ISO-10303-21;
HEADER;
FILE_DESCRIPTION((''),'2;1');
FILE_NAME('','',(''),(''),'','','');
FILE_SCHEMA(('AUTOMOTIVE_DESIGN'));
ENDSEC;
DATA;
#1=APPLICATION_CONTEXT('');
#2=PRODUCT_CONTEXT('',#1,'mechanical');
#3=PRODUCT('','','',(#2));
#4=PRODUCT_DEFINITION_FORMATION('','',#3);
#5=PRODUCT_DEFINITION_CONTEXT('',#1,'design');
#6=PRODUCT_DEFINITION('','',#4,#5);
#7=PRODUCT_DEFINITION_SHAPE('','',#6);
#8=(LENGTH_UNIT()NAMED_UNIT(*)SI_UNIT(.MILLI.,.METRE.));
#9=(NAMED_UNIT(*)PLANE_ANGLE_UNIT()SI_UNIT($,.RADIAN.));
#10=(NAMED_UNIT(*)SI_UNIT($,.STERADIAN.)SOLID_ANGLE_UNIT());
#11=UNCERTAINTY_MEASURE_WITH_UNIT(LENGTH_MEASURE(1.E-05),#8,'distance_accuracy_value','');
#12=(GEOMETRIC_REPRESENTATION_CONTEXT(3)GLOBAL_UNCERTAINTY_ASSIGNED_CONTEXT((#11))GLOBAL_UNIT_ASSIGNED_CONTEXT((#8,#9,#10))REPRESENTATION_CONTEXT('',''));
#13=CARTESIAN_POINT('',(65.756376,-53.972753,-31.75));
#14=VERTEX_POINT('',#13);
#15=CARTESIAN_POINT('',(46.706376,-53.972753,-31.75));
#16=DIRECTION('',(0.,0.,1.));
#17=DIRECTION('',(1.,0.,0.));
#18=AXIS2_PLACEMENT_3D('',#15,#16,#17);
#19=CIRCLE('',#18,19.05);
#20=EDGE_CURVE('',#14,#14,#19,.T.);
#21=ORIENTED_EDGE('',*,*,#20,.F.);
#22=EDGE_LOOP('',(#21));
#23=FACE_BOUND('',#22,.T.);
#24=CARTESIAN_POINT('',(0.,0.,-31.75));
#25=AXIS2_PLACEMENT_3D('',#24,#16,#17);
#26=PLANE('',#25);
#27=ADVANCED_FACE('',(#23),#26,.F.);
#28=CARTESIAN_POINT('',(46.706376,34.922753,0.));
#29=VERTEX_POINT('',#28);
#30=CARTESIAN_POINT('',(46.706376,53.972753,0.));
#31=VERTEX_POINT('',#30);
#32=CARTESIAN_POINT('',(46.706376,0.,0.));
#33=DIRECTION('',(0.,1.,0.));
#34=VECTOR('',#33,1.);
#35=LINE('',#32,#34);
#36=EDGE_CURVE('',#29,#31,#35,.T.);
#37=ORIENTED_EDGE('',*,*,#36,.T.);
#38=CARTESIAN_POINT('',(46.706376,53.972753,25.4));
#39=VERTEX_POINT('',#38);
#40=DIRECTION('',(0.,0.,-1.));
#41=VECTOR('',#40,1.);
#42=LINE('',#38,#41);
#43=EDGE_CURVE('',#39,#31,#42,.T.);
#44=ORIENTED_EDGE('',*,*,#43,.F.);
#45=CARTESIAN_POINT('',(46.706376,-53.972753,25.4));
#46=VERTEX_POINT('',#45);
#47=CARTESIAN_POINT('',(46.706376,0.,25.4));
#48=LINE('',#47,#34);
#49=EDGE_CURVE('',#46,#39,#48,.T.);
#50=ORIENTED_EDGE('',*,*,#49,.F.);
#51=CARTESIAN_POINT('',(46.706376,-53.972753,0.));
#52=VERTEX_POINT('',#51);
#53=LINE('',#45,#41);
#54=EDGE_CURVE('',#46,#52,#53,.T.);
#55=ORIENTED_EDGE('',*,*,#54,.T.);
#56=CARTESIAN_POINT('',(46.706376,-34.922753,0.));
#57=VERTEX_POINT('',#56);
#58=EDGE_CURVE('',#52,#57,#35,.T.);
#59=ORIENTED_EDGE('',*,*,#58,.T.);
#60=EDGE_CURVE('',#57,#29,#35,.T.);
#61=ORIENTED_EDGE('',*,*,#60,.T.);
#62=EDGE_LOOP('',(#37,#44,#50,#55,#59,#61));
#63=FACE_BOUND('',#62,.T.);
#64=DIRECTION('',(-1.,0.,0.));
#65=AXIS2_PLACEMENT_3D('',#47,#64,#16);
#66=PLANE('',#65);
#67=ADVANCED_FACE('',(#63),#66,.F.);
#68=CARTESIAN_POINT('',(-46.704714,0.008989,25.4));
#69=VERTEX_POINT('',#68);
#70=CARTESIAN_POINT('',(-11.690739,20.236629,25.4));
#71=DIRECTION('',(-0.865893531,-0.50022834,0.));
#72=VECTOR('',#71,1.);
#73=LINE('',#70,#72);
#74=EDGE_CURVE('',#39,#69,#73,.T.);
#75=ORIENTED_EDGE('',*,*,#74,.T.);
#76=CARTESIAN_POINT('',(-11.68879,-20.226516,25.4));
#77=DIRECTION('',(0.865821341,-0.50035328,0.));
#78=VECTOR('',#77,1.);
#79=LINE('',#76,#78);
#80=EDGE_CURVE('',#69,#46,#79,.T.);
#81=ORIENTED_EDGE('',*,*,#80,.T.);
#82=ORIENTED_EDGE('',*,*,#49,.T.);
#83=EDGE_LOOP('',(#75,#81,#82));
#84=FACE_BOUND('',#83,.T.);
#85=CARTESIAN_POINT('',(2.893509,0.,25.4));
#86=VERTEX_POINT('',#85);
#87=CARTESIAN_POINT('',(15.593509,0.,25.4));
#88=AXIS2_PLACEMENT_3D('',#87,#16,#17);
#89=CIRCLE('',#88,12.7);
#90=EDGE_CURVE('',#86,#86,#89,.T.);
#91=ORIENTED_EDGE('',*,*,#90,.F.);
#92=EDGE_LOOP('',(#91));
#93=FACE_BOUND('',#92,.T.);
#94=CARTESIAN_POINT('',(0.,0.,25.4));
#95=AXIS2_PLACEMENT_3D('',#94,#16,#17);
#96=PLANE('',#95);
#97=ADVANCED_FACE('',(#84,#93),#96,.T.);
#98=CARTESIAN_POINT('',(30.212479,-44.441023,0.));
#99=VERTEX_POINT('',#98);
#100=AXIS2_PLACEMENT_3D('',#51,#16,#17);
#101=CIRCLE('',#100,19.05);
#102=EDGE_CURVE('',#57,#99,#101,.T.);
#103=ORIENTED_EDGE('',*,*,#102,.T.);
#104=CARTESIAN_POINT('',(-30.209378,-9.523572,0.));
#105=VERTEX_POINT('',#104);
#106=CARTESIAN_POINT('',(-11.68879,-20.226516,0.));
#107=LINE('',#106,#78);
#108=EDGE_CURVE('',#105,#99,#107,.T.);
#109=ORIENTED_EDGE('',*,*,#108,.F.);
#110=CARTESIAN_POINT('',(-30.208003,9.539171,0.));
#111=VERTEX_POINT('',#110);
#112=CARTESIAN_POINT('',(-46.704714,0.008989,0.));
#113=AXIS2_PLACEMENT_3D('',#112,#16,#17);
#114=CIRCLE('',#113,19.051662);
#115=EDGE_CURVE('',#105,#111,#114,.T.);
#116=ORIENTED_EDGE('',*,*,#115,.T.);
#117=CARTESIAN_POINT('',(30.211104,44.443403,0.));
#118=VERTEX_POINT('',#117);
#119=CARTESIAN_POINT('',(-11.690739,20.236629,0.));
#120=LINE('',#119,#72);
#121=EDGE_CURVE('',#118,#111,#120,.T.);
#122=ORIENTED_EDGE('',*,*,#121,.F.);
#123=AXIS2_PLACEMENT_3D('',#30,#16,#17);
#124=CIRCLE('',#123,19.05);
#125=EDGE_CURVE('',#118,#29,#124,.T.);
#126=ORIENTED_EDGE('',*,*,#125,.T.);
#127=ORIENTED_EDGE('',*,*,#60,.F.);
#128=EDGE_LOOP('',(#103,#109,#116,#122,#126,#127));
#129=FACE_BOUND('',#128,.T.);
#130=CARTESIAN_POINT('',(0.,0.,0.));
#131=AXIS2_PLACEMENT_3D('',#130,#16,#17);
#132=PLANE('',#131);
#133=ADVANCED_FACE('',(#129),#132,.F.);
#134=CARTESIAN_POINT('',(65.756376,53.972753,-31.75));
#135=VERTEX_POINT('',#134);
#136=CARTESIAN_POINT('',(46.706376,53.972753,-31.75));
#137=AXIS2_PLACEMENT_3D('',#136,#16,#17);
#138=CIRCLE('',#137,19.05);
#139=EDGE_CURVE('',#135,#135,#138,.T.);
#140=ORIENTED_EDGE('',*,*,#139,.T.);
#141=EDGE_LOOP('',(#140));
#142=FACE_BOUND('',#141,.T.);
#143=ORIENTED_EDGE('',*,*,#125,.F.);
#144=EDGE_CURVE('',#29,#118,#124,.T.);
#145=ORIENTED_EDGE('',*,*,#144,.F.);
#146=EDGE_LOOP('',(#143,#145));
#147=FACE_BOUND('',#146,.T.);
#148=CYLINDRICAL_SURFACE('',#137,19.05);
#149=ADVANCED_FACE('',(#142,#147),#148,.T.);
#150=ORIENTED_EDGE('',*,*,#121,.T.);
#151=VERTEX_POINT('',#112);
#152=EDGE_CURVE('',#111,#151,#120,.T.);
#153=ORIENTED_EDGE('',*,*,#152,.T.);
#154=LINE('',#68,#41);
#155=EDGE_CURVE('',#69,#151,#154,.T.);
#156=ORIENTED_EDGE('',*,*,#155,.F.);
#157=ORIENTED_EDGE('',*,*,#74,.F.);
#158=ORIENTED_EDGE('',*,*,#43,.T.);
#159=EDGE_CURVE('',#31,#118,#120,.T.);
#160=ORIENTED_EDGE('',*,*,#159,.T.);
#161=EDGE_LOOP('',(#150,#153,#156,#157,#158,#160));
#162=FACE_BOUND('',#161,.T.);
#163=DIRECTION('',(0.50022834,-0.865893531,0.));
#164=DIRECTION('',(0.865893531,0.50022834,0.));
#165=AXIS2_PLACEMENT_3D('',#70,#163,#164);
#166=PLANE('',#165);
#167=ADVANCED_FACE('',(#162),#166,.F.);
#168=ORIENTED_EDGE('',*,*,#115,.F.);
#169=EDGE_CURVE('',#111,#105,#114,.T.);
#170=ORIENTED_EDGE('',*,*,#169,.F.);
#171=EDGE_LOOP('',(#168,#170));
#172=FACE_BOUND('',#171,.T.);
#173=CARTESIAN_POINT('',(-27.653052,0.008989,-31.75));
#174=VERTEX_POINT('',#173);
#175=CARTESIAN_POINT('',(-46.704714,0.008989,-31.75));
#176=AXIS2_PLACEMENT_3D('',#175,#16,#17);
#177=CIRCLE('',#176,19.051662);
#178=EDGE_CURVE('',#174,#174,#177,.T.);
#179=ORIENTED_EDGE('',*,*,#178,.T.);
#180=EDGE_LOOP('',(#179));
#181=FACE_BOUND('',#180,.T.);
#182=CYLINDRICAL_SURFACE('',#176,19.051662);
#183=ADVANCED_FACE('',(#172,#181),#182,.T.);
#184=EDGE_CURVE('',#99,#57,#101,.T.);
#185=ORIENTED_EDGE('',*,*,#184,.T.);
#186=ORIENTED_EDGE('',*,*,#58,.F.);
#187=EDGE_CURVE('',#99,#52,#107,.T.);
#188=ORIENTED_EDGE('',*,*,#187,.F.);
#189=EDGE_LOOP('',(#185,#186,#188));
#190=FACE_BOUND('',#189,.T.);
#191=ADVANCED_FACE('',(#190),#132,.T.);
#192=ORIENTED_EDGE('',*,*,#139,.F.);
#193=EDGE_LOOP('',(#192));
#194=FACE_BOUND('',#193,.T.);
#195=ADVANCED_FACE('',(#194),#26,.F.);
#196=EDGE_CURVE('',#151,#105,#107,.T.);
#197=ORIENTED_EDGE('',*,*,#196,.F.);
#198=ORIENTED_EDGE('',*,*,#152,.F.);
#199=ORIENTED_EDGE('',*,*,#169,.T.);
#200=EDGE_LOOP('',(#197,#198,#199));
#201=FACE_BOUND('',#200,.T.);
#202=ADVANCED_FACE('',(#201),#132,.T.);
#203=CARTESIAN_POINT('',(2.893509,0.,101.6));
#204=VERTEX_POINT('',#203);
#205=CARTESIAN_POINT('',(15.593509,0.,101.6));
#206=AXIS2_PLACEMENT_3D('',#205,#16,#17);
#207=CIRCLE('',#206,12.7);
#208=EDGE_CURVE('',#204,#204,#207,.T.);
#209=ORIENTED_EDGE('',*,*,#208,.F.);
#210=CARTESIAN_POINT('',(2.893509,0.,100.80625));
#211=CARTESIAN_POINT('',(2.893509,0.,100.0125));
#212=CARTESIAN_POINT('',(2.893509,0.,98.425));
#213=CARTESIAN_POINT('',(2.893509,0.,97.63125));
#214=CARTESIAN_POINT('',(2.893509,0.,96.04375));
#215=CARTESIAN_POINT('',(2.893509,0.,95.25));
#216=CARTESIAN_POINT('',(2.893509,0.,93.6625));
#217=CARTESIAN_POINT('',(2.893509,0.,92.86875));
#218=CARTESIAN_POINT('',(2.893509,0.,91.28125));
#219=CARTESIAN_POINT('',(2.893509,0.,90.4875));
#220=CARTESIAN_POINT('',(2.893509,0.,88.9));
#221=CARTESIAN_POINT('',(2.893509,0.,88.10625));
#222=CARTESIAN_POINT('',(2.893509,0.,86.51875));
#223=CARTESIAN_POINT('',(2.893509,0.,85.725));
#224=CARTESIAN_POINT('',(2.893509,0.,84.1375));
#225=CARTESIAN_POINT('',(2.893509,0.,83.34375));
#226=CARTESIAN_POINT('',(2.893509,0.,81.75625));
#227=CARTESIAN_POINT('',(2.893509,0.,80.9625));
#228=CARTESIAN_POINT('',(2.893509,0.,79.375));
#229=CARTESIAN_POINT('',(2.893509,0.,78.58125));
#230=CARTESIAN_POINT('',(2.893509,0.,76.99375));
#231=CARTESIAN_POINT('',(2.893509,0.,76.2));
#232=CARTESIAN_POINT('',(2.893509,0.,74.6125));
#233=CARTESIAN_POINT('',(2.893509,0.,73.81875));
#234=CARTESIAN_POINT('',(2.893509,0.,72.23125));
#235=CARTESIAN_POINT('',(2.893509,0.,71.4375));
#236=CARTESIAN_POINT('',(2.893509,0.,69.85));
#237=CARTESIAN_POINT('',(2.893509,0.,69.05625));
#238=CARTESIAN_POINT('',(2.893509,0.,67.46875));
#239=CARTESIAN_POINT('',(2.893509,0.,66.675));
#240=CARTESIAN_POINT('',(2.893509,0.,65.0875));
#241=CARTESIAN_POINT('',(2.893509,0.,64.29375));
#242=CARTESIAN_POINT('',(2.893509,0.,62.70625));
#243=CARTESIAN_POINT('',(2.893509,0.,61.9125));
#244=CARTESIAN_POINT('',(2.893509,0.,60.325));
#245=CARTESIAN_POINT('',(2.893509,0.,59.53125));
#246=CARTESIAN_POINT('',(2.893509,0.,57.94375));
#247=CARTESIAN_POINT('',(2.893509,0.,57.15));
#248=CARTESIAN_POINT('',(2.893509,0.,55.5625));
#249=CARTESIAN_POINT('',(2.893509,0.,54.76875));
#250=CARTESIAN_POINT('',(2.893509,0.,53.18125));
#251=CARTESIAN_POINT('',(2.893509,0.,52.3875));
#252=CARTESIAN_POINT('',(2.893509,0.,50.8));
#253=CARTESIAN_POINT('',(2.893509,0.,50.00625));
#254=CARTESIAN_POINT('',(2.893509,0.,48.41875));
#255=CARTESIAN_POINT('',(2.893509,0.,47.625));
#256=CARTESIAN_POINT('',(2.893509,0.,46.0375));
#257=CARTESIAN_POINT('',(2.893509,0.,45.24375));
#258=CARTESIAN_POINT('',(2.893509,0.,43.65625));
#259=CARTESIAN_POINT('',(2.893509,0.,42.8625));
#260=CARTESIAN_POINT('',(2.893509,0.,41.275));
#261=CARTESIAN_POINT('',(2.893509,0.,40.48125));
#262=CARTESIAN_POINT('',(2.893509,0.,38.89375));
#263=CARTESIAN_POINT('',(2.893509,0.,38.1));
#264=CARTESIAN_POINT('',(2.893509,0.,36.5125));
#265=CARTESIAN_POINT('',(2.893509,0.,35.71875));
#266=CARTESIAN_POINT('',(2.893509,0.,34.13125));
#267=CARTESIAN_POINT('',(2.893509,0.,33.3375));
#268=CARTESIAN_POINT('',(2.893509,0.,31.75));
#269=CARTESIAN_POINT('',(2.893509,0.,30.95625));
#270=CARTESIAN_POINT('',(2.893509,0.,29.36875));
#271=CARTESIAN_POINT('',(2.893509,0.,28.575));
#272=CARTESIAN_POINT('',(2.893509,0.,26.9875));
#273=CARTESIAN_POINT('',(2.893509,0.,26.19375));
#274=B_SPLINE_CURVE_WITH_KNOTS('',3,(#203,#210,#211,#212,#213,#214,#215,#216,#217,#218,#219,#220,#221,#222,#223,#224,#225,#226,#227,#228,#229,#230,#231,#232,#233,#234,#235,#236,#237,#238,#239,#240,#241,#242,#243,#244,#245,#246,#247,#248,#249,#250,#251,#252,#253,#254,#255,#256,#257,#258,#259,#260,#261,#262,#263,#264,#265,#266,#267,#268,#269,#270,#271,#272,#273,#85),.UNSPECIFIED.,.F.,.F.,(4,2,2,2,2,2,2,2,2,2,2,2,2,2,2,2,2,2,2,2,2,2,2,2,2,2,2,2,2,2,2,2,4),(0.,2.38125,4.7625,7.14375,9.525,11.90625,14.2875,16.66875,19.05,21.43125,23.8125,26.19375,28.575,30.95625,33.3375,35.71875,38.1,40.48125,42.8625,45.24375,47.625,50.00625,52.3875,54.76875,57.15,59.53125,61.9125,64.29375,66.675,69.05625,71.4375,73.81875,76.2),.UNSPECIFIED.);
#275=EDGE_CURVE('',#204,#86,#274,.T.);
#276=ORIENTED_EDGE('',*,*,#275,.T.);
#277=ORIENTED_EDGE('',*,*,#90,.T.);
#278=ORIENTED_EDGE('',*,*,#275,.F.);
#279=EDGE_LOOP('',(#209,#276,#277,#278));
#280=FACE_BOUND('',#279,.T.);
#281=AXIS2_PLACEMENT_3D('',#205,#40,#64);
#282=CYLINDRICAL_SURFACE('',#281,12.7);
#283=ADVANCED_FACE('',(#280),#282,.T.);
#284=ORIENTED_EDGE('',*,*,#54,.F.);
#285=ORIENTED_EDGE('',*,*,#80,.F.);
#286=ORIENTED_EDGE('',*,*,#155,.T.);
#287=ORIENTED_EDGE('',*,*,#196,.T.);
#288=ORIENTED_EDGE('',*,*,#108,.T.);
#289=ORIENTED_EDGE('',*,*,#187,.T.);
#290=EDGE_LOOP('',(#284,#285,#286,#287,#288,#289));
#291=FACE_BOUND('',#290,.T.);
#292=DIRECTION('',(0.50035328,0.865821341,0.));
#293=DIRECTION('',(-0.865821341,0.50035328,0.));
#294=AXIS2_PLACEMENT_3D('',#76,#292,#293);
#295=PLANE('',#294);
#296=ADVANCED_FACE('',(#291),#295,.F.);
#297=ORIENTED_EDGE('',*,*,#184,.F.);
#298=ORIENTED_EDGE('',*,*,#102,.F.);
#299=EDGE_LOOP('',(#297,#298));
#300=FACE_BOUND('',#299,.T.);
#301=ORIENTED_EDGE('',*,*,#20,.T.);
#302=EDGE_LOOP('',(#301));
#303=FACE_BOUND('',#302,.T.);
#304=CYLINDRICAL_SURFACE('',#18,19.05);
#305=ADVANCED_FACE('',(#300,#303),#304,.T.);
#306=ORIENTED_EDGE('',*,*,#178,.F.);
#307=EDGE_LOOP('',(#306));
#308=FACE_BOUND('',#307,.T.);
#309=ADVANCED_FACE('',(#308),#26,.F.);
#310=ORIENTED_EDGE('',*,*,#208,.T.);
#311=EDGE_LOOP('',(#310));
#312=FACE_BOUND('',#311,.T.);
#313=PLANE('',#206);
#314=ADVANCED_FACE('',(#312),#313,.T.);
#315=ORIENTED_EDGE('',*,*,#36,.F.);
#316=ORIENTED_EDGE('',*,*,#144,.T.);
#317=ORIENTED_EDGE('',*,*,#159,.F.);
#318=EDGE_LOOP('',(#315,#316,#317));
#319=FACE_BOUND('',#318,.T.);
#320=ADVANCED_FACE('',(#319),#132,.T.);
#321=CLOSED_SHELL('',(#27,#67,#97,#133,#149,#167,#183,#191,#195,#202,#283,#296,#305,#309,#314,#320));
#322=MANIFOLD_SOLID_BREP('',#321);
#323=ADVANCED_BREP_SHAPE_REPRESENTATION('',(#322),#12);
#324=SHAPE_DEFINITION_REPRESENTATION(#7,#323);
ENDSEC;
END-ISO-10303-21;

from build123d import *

# Parameters (mm, degrees)
SKETCH1_R             = 19.051661899
BOSS_EXTRUDE3_DEPTH   = 31.75
SKETCH1_R_2           = 19.05
BOSS_EXTRUDE3_2_DEPTH = 31.75
BOSS_EXTRUDE3_3_DEPTH = 31.75
BOSS_EXTRUDE4_DEPTH   = 25.4
SKETCH3_R             = 12.7
BOSS_EXTRUDE5_DEPTH   = 76.2


with BuildPart() as part:
    # Sketch1 → Boss-Extrude3 (new body)
    with BuildSketch(Plane.XY):
        with Locations((-46.704713672, 0.008989394)):
            Circle(SKETCH1_R)
    extrude(amount=-BOSS_EXTRUDE3_DEPTH)



with BuildPart() as body_2:
    # Sketch1 → Boss-Extrude3 2 (new body)
    with BuildSketch(Plane.XY):
        with Locations((46.706375572, -53.972753345)):
            Circle(SKETCH1_R_2)
    extrude(amount=-BOSS_EXTRUDE3_2_DEPTH)


with BuildPart() as body_3:
    # Sketch1 → Boss-Extrude3 3 (new body)
    with BuildSketch(Plane.XY):
        with Locations((46.706375572, 53.972753345)):
            Circle(SKETCH1_R_2)
    extrude(amount=-BOSS_EXTRUDE3_3_DEPTH)


with BuildPart() as part_1:
    add(part.part)

    add(body_2.part)  # Boss-Extrude4 merges body 2

    add(body_3.part)  # Boss-Extrude4 merges body 3
    # Sketch1<6> → Boss-Extrude4 (add)
    with BuildSketch(Plane.XY):
        Polygon((-46.704713672, 0.008989394), (46.706375572, -53.972753345), (46.706375572, 53.972753345), align=None)
    extrude(amount=BOSS_EXTRUDE4_DEPTH)

    # Sketch3 → Boss-Extrude5 (add)
    with BuildSketch(Plane.XY.offset(25.4)):
        with Locations((15.593508684, 0)):
            Circle(SKETCH3_R)
    extrude(amount=BOSS_EXTRUDE5_DEPTH)


solid = part_1.part
